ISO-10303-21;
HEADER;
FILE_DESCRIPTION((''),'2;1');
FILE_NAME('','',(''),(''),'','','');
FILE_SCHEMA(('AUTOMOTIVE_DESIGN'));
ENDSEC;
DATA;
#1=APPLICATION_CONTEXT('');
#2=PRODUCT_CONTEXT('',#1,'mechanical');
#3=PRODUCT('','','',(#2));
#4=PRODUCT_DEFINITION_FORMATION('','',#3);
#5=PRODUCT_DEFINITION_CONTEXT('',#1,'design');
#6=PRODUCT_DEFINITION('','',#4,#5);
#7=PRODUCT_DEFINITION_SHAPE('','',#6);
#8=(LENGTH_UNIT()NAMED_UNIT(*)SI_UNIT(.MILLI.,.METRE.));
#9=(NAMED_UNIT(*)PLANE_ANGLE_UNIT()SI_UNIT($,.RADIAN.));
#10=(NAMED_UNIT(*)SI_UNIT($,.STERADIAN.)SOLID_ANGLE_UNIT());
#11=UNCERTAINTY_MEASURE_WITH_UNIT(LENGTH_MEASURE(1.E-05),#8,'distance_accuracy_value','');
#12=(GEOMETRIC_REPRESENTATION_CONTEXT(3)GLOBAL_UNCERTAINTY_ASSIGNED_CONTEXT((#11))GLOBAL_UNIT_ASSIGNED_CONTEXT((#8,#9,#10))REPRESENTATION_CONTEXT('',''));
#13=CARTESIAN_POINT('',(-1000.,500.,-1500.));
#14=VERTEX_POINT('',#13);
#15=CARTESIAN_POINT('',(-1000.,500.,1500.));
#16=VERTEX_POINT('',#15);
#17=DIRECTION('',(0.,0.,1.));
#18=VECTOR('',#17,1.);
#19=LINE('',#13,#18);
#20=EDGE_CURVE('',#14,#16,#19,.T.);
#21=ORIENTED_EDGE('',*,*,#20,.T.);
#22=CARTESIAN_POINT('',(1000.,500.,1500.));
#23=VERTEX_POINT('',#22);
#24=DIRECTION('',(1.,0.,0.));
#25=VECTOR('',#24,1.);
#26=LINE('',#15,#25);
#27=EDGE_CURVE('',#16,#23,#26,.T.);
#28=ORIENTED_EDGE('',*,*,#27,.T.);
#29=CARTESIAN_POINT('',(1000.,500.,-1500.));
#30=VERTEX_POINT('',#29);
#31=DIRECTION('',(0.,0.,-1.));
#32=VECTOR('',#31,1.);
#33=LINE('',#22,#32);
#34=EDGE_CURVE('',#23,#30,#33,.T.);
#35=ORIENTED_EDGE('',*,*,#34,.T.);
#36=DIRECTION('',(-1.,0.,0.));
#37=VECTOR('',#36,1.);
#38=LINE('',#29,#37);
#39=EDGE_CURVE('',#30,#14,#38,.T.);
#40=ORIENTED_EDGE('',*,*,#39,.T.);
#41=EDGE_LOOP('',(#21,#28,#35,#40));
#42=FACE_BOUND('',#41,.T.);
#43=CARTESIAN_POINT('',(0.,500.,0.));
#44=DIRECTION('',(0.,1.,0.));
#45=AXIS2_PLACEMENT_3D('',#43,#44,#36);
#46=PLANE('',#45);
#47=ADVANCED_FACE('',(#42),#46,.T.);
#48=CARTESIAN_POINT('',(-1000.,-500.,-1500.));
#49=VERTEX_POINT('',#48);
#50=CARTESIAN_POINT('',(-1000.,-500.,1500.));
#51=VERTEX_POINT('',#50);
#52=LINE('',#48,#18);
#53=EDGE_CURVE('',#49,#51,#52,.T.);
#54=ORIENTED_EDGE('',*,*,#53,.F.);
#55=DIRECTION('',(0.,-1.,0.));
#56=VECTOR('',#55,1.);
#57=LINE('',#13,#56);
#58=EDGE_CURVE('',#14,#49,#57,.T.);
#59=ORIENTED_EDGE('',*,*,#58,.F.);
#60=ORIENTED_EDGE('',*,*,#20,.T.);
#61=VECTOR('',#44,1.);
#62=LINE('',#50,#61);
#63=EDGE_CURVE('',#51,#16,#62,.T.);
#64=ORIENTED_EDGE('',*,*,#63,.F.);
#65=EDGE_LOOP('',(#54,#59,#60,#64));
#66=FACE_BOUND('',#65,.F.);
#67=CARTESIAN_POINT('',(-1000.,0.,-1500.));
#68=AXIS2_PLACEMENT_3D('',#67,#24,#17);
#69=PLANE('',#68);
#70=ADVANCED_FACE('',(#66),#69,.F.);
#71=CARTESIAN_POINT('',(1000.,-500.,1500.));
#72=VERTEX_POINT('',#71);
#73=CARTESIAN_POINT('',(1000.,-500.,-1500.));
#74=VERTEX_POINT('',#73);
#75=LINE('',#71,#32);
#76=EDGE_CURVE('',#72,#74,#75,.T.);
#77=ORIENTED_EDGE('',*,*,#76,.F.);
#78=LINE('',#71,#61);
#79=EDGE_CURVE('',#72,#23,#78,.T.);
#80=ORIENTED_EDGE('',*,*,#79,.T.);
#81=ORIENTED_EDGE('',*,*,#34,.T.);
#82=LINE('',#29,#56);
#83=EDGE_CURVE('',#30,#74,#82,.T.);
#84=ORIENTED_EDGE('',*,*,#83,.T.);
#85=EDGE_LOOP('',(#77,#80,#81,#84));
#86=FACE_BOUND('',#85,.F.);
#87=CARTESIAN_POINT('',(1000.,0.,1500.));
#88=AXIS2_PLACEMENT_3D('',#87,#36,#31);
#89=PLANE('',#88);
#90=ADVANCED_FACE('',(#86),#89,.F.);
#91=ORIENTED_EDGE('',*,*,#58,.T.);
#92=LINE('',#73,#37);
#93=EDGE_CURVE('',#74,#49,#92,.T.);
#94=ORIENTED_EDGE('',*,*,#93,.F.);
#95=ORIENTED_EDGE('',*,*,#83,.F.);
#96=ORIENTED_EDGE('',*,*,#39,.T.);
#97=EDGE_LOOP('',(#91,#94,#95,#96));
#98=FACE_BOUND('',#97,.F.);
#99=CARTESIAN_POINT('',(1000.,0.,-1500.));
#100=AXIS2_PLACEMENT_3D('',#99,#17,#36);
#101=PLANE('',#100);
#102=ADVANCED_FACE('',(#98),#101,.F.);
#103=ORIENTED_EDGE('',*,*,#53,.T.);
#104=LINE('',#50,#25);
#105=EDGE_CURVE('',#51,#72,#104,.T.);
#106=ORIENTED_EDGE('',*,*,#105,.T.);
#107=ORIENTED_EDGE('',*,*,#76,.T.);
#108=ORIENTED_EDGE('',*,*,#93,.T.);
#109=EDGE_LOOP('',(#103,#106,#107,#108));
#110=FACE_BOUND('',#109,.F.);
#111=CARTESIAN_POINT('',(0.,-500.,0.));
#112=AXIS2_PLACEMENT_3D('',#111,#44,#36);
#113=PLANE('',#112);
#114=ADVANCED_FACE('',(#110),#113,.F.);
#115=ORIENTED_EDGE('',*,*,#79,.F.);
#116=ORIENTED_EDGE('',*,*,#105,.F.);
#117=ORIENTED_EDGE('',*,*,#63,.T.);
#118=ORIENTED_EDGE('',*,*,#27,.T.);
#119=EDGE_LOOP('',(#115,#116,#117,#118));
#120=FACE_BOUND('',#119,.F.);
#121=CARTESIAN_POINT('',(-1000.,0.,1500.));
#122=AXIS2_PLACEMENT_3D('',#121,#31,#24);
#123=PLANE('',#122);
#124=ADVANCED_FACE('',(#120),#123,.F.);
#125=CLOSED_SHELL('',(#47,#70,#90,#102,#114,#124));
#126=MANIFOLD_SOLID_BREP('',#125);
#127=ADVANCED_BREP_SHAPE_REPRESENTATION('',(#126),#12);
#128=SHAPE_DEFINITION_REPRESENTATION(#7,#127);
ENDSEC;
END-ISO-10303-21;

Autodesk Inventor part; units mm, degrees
ref_plane "YZ Plane" through (0, 0, 0) normal (1, 0, 0) x (0, 1, 0)
ref_plane "XZ Plane" through (0, 0, 0) normal (0, 1, 0) x (-1, 0, 0)
ref_plane "XY Plane" through (0, 0, 0) normal (0, 0, 1) x (1, 0, 0)
sketch "Sketch1" plane through (0, 0, 0) normal (0, 1, 0) x (-1, 0, 0)
  line L0 (1000, 1500) -> (-1000, 1500)
  line L1 (-1000, 1500) -> (-1000, -1500)
  line L2 (-1000, -1500) -> (1000, -1500)
  line L3 (1000, -1500) -> (1000, 1500)
  line L4 (1000, 1500) -> (-1000, -1500) construction
  line L5 (-1000, 1500) -> (1000, -1500) construction
  point P0 (0, 0)
  dimension "d0" = 2000
  dimension "d1" = 3000
extrude "Extrusion1" add sketch "Sketch1" along normal mid plane 1000
properties part number "Tunnel"
